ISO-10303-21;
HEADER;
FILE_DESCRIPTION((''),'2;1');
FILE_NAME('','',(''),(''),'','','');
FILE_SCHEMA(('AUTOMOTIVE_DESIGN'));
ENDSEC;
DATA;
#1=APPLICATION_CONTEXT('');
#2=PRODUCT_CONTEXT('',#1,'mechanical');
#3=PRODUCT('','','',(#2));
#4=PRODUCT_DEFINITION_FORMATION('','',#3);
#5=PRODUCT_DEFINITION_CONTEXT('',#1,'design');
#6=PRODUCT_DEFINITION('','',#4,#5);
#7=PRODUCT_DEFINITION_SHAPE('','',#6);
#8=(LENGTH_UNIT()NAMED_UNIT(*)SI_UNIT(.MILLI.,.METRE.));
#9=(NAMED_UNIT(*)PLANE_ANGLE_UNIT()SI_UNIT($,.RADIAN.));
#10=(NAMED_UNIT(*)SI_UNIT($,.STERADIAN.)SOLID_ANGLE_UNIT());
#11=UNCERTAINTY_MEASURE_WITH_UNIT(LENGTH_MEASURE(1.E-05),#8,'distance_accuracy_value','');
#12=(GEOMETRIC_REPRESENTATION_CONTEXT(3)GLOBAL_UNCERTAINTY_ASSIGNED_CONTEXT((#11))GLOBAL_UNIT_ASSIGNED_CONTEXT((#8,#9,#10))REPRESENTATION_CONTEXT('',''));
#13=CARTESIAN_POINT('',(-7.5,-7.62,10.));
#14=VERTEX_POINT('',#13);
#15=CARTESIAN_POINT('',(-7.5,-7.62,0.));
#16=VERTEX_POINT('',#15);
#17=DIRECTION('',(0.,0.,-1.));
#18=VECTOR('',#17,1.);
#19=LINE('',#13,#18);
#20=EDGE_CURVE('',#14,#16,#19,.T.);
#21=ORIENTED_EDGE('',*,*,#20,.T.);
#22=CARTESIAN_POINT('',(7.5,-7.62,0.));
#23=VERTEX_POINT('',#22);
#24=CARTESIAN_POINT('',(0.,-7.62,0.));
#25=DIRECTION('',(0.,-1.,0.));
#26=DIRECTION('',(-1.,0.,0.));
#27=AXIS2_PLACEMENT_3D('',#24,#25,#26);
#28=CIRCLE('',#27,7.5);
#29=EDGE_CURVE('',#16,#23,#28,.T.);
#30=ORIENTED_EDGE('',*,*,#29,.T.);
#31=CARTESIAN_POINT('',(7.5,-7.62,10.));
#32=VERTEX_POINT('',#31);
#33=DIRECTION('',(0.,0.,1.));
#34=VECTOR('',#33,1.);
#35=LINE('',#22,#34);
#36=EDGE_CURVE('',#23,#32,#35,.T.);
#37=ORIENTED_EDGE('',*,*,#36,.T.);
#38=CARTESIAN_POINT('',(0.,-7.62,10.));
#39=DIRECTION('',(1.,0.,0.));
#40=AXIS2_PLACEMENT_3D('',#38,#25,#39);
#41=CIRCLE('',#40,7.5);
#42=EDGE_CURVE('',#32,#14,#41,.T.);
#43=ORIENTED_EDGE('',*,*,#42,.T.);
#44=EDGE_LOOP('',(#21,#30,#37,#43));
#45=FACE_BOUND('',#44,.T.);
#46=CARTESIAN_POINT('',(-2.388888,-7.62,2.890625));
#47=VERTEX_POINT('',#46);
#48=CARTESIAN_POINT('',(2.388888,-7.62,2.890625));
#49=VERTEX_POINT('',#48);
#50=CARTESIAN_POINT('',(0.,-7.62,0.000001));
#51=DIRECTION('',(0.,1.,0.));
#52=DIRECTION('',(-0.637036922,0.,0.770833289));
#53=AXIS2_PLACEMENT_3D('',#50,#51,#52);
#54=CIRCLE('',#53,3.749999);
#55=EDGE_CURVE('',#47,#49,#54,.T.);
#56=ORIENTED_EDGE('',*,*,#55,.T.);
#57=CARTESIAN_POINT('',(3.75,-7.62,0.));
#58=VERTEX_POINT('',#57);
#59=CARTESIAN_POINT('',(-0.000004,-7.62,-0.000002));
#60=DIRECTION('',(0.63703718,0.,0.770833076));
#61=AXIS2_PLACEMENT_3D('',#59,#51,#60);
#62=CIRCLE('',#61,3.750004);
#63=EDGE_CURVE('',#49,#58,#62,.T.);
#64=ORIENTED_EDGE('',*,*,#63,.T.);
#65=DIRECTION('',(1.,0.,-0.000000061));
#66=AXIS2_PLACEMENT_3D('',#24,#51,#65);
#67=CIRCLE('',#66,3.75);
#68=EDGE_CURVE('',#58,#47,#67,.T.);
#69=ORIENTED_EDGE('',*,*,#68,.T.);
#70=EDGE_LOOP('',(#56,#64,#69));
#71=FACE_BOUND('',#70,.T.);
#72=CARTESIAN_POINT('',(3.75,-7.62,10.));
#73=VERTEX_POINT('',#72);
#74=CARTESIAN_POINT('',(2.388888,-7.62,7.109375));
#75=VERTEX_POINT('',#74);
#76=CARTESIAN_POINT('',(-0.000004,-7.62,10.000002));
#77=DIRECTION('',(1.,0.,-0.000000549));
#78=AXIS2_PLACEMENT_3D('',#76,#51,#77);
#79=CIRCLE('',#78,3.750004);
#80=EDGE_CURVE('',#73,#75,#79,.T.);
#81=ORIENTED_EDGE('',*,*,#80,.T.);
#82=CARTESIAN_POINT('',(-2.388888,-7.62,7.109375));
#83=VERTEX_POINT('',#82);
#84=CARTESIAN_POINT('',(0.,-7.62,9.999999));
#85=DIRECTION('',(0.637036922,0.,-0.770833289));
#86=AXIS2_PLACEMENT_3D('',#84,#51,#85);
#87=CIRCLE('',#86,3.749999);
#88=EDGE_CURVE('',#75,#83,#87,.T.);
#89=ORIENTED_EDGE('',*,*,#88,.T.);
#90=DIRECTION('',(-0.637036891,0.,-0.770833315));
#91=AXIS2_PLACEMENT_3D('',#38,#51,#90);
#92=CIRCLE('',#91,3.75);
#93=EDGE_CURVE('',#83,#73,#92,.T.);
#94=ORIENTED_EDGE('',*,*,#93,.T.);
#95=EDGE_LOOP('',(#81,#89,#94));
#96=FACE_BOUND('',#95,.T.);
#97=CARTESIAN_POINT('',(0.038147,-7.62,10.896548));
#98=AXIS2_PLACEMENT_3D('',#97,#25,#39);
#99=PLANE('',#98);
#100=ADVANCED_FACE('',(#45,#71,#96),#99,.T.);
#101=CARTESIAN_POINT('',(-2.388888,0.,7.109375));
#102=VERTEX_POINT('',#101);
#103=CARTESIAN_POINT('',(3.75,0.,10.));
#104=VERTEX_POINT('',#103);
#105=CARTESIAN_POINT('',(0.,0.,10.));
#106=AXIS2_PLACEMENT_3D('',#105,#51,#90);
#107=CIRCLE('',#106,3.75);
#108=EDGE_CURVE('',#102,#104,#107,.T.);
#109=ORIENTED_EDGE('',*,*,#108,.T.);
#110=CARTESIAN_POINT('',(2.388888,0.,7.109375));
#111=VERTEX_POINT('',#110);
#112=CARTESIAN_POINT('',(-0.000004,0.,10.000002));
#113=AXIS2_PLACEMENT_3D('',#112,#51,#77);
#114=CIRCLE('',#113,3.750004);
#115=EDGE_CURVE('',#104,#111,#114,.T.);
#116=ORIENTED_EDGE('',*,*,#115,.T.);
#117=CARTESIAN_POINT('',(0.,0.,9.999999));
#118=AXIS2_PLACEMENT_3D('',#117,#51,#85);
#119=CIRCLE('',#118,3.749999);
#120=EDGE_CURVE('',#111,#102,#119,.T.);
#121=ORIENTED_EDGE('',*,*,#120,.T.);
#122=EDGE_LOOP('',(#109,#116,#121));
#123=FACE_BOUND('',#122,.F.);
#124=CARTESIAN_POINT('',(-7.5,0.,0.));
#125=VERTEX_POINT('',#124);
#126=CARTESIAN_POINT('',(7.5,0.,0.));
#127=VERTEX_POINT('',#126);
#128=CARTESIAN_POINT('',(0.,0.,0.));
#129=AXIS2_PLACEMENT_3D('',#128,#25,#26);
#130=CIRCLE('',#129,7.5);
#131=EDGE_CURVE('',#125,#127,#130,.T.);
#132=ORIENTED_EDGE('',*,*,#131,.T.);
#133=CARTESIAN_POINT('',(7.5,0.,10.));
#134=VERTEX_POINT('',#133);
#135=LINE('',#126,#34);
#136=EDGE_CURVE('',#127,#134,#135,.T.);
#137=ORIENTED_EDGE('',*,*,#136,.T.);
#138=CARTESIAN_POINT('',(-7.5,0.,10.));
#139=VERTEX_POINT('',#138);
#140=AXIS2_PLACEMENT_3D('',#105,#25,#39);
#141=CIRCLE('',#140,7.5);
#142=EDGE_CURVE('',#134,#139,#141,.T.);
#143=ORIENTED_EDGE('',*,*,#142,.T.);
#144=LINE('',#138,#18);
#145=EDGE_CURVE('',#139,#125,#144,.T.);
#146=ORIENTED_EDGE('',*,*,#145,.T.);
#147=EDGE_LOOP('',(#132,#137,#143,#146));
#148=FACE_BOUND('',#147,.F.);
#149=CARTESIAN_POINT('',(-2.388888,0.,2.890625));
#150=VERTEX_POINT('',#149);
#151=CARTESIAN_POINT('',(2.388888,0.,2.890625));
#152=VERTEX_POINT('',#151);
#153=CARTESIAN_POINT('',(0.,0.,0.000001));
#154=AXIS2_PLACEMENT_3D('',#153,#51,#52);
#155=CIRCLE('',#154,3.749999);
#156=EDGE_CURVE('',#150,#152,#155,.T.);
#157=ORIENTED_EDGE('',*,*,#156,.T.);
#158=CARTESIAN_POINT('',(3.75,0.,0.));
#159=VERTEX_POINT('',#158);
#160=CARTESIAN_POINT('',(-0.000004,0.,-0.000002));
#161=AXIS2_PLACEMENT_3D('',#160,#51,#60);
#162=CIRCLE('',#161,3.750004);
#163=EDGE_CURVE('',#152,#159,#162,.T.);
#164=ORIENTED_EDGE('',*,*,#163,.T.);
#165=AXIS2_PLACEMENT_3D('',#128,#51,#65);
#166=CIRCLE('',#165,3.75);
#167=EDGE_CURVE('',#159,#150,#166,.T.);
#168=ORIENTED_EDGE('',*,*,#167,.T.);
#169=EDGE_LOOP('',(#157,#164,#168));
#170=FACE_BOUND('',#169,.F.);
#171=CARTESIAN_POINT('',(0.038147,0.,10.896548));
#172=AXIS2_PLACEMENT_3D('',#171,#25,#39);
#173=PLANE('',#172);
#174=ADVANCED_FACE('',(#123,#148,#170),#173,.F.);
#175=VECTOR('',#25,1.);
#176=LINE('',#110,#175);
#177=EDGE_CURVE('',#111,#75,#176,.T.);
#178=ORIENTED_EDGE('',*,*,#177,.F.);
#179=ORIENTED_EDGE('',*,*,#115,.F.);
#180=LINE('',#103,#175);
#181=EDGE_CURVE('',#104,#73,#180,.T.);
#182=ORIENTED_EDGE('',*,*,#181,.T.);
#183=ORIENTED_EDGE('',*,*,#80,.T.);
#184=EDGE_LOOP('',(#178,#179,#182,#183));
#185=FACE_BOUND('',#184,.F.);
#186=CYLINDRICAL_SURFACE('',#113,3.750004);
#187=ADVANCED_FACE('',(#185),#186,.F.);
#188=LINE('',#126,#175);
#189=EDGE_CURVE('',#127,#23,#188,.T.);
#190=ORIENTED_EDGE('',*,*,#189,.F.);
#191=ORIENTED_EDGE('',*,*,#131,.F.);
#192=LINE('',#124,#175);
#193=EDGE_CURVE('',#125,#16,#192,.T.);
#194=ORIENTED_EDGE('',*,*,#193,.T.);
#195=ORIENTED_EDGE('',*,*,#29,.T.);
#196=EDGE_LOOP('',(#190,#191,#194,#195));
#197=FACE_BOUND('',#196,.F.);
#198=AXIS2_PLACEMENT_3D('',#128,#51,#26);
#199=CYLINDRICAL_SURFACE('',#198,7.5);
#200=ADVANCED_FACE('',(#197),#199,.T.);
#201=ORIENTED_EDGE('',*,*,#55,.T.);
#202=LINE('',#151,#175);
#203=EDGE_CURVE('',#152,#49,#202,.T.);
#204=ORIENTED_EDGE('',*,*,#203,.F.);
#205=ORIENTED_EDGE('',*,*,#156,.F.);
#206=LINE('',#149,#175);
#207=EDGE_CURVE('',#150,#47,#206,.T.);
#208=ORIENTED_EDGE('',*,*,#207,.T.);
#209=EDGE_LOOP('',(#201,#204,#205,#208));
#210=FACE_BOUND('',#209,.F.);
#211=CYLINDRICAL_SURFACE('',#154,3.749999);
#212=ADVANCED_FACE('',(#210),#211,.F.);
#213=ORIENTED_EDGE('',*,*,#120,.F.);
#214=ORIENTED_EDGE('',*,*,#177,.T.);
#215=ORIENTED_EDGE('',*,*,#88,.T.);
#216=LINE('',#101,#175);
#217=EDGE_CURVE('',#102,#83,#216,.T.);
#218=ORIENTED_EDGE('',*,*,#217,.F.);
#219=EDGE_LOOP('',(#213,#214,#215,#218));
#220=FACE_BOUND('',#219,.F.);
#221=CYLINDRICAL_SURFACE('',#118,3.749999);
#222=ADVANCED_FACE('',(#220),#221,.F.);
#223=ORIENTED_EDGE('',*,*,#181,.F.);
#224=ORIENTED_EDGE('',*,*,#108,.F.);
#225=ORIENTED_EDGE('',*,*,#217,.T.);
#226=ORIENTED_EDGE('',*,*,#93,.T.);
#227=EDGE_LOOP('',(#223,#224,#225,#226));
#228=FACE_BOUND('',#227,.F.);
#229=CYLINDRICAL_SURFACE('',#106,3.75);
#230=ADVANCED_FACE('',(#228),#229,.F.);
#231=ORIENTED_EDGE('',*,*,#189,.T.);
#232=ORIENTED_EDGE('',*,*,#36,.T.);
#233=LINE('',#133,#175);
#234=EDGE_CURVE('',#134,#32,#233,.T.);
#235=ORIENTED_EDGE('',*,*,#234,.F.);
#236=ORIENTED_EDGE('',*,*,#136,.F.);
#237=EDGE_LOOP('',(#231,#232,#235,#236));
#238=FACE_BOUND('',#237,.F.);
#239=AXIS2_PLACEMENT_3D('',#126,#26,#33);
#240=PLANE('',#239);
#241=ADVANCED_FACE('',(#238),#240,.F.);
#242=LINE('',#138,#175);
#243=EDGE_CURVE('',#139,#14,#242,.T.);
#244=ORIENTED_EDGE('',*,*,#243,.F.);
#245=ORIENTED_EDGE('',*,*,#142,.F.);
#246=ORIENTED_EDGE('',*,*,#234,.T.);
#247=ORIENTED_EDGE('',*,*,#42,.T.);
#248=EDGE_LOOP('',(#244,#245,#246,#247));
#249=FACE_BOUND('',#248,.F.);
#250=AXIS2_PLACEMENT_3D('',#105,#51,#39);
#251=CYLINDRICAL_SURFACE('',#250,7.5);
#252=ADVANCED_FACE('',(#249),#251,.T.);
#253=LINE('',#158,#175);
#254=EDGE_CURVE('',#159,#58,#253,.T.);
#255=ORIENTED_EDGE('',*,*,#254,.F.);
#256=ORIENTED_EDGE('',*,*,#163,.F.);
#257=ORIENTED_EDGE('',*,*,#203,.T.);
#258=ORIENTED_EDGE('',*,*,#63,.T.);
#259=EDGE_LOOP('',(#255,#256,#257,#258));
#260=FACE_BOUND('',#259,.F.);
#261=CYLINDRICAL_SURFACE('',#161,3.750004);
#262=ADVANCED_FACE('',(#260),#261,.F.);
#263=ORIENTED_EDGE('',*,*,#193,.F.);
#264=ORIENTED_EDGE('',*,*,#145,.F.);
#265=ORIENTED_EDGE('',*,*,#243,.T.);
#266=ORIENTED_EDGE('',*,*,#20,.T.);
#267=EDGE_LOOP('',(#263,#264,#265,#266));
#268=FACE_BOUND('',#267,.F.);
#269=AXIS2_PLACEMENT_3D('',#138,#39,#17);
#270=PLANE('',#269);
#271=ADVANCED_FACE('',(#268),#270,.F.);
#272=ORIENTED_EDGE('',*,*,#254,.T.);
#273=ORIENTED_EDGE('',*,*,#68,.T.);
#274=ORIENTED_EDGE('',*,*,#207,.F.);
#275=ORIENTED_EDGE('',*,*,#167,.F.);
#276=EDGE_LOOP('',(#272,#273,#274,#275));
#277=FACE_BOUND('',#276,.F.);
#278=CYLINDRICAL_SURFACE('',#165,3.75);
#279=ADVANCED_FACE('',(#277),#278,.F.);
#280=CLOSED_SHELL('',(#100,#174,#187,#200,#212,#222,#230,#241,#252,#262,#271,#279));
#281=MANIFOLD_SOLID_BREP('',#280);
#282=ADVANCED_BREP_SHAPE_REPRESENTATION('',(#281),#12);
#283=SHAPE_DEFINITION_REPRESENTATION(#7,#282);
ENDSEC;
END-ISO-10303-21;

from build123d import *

# Parameters (mm, degrees)
F1_DEPTH = 7.62


with BuildPart() as f1:
    # F0 (on Front) → F1 (new body)
    with BuildSketch(Plane.XZ):
        with BuildLine():
            ThreePointArc((2.388888, 7.109375), (4.126586, 6.26269), (5.59017, 5))
            ThreePointArc((5.59017, 5), (7.006293, 7.323834), (7.5, 10))
            ThreePointArc((7.5, 10), (0, 17.5), (-7.5, 10))
            ThreePointArc((-7.5, 10), (-7.006293, 7.323834), (-5.59017, 5))
            ThreePointArc((-5.59017, 5), (-4.126586, 6.26269), (-2.388888, 7.109375))
            ThreePointArc((-2.388888, 7.109375), (-1.597524, 13.3927), (3.75, 10))
            ThreePointArc((3.75, 10), (3.3927, 8.402476), (2.388888, 7.109375))
        make_face()
        with BuildLine():
            ThreePointArc((-2.388888, 2.890625), (0, 3.75), (2.388888, 2.890625))
            ThreePointArc((2.388888, 2.890625), (4.126586, 3.73731), (5.59017, 5))
            ThreePointArc((5.59017, 5), (4.126586, 6.26269), (2.388888, 7.109375))
            ThreePointArc((2.388888, 7.109375), (0, 6.25), (-2.388888, 7.109375))
            ThreePointArc((-2.388888, 7.109375), (-4.126586, 6.26269), (-5.59017, 5))
            ThreePointArc((-5.59017, 5), (-4.126586, 3.73731), (-2.388888, 2.890625))
        make_face()
        with BuildLine():
            ThreePointArc((2.388888, 2.890625), (3.3927, 1.597524), (3.75, 0))
            ThreePointArc((3.75, 0), (-1.597524, -3.3927), (-2.388888, 2.890625))
            ThreePointArc((-2.388888, 2.890625), (-4.126586, 3.73731), (-5.59017, 5))
            ThreePointArc((-5.59017, 5), (-7.006293, 2.676166), (-7.5, 0))
            ThreePointArc((-7.5, 0), (0, -7.5), (7.5, 0))
            ThreePointArc((7.5, 0), (7.006293, 2.676166), (5.59017, 5))
            ThreePointArc((5.59017, 5), (4.126586, 3.73731), (2.388888, 2.890625))
        make_face()
        with BuildLine():
            ThreePointArc((7.5, 10), (7.006293, 7.323834), (5.59017, 5))
            ThreePointArc((5.59017, 5), (7.006293, 2.676166), (7.5, 0))
            Line((7.5, 0), (7.5, 10))
        make_face()
        with BuildLine():
            ThreePointArc((-7.5, 0), (-7.006293, 2.676166), (-5.59017, 5))
            ThreePointArc((-5.59017, 5), (-7.006293, 7.323834), (-7.5, 10))
            Line((-7.5, 10), (-7.5, 0))
        make_face()
    extrude(amount=F1_DEPTH)


solid = f1.part
